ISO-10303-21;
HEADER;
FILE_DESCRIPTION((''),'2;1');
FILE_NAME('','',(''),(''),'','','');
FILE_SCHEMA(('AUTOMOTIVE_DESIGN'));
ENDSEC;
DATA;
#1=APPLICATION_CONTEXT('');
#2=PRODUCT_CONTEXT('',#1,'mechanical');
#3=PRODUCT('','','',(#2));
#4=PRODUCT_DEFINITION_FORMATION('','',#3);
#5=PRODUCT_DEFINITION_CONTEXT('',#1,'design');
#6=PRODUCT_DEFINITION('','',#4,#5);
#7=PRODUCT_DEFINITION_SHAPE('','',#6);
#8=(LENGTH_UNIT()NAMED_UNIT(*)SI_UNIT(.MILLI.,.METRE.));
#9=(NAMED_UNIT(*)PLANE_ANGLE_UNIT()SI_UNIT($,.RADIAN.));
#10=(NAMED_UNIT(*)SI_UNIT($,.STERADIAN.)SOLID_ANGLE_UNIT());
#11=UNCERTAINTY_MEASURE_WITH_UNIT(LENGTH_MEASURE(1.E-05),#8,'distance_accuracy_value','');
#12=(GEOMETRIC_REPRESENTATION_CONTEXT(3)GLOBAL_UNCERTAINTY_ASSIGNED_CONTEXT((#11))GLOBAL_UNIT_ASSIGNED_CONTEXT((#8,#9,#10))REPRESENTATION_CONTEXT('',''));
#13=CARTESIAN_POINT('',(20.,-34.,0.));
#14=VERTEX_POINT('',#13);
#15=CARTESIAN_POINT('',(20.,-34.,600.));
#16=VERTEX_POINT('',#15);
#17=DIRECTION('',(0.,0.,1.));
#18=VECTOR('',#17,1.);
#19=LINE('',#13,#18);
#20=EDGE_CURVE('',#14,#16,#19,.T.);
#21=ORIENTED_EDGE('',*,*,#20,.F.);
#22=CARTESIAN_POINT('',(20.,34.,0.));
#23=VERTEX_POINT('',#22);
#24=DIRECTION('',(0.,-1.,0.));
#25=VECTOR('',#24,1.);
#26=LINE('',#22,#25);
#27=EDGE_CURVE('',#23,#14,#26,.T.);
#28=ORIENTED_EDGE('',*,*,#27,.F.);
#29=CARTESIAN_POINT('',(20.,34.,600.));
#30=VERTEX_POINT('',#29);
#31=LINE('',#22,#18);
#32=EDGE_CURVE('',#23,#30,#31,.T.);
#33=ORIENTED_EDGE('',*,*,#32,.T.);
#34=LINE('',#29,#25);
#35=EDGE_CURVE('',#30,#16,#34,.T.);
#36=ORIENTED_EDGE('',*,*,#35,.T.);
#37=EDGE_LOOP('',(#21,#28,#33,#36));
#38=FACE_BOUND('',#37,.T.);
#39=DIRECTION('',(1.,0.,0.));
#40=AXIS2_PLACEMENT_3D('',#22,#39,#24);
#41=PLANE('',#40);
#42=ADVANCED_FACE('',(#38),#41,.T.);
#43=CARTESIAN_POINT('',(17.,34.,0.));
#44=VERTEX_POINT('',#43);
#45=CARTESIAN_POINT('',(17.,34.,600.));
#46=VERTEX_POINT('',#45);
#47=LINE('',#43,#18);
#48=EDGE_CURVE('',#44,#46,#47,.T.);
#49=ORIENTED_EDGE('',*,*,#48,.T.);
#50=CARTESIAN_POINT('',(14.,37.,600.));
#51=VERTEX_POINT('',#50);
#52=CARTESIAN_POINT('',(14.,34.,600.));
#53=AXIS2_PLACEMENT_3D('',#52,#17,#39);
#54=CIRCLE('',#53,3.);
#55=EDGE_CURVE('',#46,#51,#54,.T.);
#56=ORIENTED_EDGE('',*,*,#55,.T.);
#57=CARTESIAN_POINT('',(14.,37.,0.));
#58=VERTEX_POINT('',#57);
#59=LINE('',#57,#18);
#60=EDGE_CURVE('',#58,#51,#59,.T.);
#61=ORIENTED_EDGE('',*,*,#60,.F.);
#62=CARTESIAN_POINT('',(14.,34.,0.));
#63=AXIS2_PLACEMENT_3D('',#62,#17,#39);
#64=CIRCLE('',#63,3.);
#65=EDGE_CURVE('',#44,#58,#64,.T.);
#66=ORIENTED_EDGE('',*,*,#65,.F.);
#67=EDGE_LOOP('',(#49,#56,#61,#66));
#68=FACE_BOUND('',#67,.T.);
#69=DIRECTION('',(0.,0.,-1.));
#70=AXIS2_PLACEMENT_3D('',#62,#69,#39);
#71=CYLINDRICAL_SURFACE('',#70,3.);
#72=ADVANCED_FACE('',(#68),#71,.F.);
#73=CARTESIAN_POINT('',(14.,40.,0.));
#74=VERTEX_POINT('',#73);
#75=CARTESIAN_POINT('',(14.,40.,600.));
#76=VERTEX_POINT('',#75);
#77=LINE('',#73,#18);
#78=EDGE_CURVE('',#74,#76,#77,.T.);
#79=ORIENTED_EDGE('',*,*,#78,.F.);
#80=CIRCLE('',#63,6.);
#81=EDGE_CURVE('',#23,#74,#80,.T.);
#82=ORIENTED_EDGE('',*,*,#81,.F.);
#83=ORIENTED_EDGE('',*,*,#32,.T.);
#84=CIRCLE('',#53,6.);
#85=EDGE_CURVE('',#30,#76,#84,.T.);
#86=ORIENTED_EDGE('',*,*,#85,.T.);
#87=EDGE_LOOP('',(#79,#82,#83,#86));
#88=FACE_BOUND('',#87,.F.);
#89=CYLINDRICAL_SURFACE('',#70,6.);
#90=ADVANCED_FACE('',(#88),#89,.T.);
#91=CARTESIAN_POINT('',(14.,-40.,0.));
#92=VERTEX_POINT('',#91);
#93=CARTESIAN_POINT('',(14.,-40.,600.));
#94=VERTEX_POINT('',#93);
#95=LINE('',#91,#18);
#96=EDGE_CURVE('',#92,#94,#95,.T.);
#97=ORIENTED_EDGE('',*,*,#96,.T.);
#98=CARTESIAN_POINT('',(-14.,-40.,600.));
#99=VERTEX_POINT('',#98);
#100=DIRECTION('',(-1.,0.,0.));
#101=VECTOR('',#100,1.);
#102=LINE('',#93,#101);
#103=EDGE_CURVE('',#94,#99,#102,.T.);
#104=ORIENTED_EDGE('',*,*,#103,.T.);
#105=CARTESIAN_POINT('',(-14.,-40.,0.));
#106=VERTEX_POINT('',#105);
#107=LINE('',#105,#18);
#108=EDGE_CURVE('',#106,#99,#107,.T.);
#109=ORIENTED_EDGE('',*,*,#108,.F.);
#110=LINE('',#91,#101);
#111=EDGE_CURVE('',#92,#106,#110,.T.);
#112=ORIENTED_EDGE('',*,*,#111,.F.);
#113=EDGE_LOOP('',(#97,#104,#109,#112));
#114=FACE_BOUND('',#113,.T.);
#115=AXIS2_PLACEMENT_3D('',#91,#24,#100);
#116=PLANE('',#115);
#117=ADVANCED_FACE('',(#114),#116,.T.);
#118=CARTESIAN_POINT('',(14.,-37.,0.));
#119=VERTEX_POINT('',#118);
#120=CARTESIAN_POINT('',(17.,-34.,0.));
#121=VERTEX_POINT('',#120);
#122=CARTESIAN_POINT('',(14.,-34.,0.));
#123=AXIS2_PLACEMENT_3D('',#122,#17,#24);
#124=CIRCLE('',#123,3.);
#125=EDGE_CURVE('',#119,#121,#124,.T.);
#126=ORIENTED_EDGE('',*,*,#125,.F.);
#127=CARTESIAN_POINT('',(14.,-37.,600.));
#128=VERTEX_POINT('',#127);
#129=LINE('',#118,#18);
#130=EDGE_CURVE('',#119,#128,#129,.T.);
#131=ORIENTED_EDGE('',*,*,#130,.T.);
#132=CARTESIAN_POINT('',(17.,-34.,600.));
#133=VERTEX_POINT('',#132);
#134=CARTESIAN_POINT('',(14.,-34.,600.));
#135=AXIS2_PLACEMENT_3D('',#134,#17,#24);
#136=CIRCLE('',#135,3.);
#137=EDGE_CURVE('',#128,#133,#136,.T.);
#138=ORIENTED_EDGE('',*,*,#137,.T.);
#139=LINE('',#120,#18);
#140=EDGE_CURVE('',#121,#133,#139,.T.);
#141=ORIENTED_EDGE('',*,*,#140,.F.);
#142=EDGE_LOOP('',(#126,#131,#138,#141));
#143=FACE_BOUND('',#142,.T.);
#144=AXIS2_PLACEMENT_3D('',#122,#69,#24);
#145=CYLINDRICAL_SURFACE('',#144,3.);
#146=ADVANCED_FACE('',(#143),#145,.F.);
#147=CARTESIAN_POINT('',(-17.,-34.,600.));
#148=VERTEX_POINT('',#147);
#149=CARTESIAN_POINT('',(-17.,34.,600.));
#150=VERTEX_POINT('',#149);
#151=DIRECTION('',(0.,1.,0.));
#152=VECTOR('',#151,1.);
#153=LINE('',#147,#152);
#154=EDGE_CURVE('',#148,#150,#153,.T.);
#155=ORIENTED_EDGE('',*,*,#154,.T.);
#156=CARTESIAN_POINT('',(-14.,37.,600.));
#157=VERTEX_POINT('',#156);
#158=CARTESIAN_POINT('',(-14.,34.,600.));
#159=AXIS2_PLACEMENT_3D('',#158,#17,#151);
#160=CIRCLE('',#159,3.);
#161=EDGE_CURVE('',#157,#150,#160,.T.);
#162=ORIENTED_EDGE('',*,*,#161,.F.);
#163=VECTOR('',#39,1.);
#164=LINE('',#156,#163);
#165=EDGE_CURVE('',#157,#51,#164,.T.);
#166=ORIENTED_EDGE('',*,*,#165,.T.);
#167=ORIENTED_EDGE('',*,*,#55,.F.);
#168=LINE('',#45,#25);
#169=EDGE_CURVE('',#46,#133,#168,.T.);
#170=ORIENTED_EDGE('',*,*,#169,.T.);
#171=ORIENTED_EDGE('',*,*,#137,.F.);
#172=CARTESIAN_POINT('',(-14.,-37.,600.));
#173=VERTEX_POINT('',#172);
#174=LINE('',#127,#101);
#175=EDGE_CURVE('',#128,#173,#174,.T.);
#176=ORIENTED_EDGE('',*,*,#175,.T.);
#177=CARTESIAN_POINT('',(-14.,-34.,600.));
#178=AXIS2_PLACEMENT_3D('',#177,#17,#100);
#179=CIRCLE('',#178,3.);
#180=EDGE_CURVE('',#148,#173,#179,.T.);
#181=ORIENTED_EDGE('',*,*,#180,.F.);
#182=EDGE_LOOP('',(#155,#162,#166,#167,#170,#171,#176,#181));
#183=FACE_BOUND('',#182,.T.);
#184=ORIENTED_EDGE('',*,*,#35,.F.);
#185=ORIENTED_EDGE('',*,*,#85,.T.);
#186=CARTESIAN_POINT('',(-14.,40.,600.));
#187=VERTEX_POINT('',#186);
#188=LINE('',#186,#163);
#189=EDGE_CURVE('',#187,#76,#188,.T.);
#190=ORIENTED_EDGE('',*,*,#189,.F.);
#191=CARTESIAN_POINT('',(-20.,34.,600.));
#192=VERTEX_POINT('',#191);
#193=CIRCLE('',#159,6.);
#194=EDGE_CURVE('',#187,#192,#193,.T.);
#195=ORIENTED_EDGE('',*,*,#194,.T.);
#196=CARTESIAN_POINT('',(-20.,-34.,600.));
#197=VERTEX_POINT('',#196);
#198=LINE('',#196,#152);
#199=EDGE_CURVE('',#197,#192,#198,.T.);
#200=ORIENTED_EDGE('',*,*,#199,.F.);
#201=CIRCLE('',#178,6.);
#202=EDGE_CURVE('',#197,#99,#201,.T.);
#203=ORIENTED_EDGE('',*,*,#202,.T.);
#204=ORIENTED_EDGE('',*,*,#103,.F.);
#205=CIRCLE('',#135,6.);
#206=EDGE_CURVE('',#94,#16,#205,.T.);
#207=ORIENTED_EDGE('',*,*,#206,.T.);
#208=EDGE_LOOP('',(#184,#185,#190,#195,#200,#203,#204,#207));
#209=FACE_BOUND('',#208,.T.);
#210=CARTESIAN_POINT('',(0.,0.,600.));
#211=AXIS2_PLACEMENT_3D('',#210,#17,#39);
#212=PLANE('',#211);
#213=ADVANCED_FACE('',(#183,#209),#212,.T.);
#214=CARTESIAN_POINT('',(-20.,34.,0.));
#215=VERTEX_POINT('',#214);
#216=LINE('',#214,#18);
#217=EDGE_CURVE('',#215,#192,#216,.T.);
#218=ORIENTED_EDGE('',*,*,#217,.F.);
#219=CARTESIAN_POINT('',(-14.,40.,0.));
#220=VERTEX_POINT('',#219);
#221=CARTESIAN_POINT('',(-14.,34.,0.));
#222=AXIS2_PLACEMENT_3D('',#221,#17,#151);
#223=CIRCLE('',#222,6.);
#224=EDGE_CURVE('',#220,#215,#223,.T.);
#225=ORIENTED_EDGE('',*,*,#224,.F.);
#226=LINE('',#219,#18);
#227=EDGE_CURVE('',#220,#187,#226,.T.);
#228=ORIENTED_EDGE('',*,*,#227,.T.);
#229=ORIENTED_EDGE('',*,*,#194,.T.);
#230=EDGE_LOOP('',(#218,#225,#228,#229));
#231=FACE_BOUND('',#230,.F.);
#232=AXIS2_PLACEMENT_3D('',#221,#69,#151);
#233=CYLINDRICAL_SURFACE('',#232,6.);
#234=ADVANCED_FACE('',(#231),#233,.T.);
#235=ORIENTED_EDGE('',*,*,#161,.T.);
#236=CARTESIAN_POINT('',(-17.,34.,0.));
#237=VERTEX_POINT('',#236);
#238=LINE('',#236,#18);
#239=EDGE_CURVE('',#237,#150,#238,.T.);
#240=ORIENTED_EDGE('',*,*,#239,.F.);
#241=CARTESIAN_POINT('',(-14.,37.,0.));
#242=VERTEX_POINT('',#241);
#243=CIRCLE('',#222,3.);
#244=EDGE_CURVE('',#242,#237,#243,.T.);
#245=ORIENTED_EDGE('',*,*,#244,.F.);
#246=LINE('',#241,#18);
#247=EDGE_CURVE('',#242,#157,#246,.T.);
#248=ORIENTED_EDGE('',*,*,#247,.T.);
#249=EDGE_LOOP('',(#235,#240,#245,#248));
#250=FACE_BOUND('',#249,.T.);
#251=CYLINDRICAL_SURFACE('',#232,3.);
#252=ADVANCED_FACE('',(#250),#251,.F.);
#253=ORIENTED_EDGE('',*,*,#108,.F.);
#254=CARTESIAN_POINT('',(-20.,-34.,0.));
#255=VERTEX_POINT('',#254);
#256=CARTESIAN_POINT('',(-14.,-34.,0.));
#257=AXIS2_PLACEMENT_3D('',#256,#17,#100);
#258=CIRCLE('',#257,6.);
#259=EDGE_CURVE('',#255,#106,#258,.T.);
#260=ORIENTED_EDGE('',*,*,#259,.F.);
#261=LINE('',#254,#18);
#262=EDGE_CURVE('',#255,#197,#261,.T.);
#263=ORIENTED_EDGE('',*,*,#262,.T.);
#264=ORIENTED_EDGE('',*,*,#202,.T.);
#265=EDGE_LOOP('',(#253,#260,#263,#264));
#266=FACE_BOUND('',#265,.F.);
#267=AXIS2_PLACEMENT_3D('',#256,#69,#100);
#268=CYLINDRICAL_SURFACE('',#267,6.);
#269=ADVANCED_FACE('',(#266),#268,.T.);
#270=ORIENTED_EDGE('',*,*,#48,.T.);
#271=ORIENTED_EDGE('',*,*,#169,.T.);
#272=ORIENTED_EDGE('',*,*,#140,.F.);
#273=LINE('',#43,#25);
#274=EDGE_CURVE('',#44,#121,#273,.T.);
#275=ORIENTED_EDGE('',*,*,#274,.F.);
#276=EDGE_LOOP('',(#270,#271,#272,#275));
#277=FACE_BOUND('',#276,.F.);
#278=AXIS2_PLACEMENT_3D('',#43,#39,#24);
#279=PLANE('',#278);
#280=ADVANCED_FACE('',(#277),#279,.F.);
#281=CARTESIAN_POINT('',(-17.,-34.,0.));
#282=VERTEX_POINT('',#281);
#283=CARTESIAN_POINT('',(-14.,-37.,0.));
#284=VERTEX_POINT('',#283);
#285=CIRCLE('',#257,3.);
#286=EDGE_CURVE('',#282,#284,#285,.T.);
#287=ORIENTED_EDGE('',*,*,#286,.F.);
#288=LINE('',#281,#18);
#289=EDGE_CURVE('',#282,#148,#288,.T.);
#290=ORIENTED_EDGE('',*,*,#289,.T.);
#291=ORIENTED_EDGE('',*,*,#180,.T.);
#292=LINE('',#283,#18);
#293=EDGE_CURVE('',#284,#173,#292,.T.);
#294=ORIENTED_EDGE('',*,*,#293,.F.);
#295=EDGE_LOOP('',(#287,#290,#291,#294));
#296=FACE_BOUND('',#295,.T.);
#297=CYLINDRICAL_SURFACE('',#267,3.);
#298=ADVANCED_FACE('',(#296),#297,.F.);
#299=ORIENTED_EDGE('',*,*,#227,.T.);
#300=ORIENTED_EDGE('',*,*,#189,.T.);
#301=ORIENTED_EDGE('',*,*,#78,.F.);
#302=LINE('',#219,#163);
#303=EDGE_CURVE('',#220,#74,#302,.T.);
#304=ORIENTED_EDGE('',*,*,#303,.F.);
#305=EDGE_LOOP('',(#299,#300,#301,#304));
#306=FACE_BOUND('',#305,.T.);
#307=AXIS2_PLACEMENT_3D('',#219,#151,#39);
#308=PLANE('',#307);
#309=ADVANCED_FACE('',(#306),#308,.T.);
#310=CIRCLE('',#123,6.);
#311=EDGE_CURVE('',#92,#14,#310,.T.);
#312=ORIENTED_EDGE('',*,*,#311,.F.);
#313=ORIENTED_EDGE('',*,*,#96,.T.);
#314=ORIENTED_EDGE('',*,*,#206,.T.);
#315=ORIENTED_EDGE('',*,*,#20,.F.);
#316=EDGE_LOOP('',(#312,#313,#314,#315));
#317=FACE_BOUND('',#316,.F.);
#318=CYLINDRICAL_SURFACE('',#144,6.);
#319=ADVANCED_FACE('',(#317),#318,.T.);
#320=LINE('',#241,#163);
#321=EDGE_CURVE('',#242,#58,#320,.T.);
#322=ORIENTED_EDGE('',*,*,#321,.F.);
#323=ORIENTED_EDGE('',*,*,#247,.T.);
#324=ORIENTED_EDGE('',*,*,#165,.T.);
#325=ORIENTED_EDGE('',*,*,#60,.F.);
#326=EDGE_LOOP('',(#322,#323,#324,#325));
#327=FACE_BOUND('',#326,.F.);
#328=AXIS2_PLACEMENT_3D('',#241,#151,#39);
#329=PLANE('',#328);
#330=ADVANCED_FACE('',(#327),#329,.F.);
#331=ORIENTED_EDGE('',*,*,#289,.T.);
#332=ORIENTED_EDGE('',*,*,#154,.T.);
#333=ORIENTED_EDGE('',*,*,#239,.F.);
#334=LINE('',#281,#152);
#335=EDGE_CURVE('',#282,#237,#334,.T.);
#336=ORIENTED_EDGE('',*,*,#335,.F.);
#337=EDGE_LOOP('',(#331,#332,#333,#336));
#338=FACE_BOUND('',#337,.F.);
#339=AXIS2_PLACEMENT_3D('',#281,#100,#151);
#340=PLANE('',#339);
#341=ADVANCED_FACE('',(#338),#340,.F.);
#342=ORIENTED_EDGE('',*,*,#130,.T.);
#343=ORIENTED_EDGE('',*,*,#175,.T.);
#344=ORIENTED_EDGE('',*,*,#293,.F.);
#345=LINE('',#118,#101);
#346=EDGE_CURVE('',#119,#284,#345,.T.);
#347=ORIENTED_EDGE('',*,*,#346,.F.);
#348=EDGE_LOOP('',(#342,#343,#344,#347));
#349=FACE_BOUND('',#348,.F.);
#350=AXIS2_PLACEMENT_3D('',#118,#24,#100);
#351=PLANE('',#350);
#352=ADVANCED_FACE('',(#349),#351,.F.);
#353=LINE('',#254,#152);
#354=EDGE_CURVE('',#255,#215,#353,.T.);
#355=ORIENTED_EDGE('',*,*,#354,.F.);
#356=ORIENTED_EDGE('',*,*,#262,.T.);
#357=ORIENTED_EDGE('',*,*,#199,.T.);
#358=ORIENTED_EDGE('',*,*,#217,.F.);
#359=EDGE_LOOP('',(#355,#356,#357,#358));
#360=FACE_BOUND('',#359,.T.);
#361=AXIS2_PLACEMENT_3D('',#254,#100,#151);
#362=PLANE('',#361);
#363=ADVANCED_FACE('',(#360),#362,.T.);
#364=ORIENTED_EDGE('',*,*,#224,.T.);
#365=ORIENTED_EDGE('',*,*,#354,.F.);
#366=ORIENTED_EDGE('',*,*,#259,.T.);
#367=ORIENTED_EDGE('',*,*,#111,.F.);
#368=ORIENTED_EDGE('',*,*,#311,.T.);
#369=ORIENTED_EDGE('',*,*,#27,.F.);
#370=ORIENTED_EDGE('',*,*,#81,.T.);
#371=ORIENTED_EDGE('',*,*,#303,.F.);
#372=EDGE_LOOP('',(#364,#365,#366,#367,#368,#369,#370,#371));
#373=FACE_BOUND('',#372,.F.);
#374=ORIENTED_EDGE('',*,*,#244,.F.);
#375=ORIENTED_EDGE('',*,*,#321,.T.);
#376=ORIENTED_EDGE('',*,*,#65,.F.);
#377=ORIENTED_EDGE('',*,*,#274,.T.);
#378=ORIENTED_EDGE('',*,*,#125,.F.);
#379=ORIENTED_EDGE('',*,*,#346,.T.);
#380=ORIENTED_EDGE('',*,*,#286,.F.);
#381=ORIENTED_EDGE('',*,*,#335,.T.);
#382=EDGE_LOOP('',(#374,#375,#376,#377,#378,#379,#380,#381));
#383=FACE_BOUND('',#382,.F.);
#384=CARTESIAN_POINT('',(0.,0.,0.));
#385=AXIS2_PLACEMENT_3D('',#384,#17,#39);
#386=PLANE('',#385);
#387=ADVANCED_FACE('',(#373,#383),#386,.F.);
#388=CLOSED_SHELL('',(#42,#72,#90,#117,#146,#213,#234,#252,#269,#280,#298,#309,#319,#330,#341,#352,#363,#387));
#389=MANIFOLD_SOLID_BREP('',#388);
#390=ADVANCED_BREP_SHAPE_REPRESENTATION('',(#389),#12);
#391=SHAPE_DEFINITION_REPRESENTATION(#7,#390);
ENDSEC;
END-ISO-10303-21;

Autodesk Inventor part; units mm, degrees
ref_plane "YZ Plane" through (0, 0, 0) normal (1, 0, 0) x (0, 1, 0)
ref_plane "Start Plane" through (0, 0, 0) normal (0, 0, 1) x (1, 0, 0)
ref_plane "End Plane" through (0, 0, 600) normal (0, 0, 1) x (1, 0, 0)
sketch "Sketch" plane through (0, 0, 0) normal (0, 0, 1) x (1, 0, 0)
  line L0 (-20, -34) -> (-20, 34)
  line L1 (-14, 40) -> (14, 40)
  line L2 (20, 34) -> (20, -34)
  line L3 (14, -40) -> (-14, -40)
  arc A0 (-20, -34) -> (-14, -40) centre (-14, -34) ccw
  arc A1 (20, 34) -> (14, 40) centre (14, 34) ccw
  arc A2 (-14, 40) -> (-20, 34) centre (-14, 34) ccw
  arc A3 (14, -40) -> (20, -34) centre (14, -34) ccw
  arc A4 (-14, 37) -> (-17, 34) centre (-14, 34) ccw
  line L4 (-14, 37) -> (14, 37)
  arc A5 (17, 34) -> (14, 37) centre (14, 34) ccw
  line L5 (17, 34) -> (17, -34)
  arc A6 (14, -37) -> (17, -34) centre (14, -34) ccw
  line L6 (14, -37) -> (-14, -37)
  arc A7 (-17, -34) -> (-14, -37) centre (-14, -34) ccw
  line L7 (-17, -34) -> (-17, 34)
  line L8 (0, 57.7397) -> (0, -57.7397) construction
  line L9 (-29.7397, 0) -> (29.7397, 0) construction
  dimension "d7" = 6
  dimension "d9" = 40
  dimension "d11" = 80
  dimension "d12" = 3
  dimension "d15" = 20
  dimension "d16" = 40
extrude "Body" add sketch "Sketch" along normal up to surface (600 mm away) from surface at 0
sketch "Sketch3" plane through (0, 0, 0) normal (0, 0, 1) x (1, 0, 0)
  line L0 (0, 0) -> (10, 0)
ref_plane "Work Plane3" through (0, 0, 0) normal (0, -1, 0) x (1, 0, 0)
sketch "Sketch4" plane through (0, 0, 0) normal (0, -1, 0) x (1, 0, 0)
  line L0 (-2, 0) -> (12, 0) projected
  line L1 (-2, 600) -> (12, 600) projected
  dimension "d18" = 600
equation "\"d7\" = G_IR"
equation "\"d9\" = G_W"
equation "\"d11\" = G_H"
equation "\"d12\" = G_T"
equation "\"d15\" = 0.5 * d9"
equation "\"d16\" = 0.5 * d11"
equation "\"d3\" = G_L"
equation "\"G_W\" = 40"
equation "\"G_H\" = 80"
equation "\"G_T\" = 3"
equation "\"G_IR\" = 6"
equation "\"G_L\" = d18"
equation "\"G_OFFSET_START\" = 0"
equation "\"G_OFFSET_END\" = 0"
properties part number "ISO 10799-2 - 80x40x3 - 600" material "Steel, Mild"
